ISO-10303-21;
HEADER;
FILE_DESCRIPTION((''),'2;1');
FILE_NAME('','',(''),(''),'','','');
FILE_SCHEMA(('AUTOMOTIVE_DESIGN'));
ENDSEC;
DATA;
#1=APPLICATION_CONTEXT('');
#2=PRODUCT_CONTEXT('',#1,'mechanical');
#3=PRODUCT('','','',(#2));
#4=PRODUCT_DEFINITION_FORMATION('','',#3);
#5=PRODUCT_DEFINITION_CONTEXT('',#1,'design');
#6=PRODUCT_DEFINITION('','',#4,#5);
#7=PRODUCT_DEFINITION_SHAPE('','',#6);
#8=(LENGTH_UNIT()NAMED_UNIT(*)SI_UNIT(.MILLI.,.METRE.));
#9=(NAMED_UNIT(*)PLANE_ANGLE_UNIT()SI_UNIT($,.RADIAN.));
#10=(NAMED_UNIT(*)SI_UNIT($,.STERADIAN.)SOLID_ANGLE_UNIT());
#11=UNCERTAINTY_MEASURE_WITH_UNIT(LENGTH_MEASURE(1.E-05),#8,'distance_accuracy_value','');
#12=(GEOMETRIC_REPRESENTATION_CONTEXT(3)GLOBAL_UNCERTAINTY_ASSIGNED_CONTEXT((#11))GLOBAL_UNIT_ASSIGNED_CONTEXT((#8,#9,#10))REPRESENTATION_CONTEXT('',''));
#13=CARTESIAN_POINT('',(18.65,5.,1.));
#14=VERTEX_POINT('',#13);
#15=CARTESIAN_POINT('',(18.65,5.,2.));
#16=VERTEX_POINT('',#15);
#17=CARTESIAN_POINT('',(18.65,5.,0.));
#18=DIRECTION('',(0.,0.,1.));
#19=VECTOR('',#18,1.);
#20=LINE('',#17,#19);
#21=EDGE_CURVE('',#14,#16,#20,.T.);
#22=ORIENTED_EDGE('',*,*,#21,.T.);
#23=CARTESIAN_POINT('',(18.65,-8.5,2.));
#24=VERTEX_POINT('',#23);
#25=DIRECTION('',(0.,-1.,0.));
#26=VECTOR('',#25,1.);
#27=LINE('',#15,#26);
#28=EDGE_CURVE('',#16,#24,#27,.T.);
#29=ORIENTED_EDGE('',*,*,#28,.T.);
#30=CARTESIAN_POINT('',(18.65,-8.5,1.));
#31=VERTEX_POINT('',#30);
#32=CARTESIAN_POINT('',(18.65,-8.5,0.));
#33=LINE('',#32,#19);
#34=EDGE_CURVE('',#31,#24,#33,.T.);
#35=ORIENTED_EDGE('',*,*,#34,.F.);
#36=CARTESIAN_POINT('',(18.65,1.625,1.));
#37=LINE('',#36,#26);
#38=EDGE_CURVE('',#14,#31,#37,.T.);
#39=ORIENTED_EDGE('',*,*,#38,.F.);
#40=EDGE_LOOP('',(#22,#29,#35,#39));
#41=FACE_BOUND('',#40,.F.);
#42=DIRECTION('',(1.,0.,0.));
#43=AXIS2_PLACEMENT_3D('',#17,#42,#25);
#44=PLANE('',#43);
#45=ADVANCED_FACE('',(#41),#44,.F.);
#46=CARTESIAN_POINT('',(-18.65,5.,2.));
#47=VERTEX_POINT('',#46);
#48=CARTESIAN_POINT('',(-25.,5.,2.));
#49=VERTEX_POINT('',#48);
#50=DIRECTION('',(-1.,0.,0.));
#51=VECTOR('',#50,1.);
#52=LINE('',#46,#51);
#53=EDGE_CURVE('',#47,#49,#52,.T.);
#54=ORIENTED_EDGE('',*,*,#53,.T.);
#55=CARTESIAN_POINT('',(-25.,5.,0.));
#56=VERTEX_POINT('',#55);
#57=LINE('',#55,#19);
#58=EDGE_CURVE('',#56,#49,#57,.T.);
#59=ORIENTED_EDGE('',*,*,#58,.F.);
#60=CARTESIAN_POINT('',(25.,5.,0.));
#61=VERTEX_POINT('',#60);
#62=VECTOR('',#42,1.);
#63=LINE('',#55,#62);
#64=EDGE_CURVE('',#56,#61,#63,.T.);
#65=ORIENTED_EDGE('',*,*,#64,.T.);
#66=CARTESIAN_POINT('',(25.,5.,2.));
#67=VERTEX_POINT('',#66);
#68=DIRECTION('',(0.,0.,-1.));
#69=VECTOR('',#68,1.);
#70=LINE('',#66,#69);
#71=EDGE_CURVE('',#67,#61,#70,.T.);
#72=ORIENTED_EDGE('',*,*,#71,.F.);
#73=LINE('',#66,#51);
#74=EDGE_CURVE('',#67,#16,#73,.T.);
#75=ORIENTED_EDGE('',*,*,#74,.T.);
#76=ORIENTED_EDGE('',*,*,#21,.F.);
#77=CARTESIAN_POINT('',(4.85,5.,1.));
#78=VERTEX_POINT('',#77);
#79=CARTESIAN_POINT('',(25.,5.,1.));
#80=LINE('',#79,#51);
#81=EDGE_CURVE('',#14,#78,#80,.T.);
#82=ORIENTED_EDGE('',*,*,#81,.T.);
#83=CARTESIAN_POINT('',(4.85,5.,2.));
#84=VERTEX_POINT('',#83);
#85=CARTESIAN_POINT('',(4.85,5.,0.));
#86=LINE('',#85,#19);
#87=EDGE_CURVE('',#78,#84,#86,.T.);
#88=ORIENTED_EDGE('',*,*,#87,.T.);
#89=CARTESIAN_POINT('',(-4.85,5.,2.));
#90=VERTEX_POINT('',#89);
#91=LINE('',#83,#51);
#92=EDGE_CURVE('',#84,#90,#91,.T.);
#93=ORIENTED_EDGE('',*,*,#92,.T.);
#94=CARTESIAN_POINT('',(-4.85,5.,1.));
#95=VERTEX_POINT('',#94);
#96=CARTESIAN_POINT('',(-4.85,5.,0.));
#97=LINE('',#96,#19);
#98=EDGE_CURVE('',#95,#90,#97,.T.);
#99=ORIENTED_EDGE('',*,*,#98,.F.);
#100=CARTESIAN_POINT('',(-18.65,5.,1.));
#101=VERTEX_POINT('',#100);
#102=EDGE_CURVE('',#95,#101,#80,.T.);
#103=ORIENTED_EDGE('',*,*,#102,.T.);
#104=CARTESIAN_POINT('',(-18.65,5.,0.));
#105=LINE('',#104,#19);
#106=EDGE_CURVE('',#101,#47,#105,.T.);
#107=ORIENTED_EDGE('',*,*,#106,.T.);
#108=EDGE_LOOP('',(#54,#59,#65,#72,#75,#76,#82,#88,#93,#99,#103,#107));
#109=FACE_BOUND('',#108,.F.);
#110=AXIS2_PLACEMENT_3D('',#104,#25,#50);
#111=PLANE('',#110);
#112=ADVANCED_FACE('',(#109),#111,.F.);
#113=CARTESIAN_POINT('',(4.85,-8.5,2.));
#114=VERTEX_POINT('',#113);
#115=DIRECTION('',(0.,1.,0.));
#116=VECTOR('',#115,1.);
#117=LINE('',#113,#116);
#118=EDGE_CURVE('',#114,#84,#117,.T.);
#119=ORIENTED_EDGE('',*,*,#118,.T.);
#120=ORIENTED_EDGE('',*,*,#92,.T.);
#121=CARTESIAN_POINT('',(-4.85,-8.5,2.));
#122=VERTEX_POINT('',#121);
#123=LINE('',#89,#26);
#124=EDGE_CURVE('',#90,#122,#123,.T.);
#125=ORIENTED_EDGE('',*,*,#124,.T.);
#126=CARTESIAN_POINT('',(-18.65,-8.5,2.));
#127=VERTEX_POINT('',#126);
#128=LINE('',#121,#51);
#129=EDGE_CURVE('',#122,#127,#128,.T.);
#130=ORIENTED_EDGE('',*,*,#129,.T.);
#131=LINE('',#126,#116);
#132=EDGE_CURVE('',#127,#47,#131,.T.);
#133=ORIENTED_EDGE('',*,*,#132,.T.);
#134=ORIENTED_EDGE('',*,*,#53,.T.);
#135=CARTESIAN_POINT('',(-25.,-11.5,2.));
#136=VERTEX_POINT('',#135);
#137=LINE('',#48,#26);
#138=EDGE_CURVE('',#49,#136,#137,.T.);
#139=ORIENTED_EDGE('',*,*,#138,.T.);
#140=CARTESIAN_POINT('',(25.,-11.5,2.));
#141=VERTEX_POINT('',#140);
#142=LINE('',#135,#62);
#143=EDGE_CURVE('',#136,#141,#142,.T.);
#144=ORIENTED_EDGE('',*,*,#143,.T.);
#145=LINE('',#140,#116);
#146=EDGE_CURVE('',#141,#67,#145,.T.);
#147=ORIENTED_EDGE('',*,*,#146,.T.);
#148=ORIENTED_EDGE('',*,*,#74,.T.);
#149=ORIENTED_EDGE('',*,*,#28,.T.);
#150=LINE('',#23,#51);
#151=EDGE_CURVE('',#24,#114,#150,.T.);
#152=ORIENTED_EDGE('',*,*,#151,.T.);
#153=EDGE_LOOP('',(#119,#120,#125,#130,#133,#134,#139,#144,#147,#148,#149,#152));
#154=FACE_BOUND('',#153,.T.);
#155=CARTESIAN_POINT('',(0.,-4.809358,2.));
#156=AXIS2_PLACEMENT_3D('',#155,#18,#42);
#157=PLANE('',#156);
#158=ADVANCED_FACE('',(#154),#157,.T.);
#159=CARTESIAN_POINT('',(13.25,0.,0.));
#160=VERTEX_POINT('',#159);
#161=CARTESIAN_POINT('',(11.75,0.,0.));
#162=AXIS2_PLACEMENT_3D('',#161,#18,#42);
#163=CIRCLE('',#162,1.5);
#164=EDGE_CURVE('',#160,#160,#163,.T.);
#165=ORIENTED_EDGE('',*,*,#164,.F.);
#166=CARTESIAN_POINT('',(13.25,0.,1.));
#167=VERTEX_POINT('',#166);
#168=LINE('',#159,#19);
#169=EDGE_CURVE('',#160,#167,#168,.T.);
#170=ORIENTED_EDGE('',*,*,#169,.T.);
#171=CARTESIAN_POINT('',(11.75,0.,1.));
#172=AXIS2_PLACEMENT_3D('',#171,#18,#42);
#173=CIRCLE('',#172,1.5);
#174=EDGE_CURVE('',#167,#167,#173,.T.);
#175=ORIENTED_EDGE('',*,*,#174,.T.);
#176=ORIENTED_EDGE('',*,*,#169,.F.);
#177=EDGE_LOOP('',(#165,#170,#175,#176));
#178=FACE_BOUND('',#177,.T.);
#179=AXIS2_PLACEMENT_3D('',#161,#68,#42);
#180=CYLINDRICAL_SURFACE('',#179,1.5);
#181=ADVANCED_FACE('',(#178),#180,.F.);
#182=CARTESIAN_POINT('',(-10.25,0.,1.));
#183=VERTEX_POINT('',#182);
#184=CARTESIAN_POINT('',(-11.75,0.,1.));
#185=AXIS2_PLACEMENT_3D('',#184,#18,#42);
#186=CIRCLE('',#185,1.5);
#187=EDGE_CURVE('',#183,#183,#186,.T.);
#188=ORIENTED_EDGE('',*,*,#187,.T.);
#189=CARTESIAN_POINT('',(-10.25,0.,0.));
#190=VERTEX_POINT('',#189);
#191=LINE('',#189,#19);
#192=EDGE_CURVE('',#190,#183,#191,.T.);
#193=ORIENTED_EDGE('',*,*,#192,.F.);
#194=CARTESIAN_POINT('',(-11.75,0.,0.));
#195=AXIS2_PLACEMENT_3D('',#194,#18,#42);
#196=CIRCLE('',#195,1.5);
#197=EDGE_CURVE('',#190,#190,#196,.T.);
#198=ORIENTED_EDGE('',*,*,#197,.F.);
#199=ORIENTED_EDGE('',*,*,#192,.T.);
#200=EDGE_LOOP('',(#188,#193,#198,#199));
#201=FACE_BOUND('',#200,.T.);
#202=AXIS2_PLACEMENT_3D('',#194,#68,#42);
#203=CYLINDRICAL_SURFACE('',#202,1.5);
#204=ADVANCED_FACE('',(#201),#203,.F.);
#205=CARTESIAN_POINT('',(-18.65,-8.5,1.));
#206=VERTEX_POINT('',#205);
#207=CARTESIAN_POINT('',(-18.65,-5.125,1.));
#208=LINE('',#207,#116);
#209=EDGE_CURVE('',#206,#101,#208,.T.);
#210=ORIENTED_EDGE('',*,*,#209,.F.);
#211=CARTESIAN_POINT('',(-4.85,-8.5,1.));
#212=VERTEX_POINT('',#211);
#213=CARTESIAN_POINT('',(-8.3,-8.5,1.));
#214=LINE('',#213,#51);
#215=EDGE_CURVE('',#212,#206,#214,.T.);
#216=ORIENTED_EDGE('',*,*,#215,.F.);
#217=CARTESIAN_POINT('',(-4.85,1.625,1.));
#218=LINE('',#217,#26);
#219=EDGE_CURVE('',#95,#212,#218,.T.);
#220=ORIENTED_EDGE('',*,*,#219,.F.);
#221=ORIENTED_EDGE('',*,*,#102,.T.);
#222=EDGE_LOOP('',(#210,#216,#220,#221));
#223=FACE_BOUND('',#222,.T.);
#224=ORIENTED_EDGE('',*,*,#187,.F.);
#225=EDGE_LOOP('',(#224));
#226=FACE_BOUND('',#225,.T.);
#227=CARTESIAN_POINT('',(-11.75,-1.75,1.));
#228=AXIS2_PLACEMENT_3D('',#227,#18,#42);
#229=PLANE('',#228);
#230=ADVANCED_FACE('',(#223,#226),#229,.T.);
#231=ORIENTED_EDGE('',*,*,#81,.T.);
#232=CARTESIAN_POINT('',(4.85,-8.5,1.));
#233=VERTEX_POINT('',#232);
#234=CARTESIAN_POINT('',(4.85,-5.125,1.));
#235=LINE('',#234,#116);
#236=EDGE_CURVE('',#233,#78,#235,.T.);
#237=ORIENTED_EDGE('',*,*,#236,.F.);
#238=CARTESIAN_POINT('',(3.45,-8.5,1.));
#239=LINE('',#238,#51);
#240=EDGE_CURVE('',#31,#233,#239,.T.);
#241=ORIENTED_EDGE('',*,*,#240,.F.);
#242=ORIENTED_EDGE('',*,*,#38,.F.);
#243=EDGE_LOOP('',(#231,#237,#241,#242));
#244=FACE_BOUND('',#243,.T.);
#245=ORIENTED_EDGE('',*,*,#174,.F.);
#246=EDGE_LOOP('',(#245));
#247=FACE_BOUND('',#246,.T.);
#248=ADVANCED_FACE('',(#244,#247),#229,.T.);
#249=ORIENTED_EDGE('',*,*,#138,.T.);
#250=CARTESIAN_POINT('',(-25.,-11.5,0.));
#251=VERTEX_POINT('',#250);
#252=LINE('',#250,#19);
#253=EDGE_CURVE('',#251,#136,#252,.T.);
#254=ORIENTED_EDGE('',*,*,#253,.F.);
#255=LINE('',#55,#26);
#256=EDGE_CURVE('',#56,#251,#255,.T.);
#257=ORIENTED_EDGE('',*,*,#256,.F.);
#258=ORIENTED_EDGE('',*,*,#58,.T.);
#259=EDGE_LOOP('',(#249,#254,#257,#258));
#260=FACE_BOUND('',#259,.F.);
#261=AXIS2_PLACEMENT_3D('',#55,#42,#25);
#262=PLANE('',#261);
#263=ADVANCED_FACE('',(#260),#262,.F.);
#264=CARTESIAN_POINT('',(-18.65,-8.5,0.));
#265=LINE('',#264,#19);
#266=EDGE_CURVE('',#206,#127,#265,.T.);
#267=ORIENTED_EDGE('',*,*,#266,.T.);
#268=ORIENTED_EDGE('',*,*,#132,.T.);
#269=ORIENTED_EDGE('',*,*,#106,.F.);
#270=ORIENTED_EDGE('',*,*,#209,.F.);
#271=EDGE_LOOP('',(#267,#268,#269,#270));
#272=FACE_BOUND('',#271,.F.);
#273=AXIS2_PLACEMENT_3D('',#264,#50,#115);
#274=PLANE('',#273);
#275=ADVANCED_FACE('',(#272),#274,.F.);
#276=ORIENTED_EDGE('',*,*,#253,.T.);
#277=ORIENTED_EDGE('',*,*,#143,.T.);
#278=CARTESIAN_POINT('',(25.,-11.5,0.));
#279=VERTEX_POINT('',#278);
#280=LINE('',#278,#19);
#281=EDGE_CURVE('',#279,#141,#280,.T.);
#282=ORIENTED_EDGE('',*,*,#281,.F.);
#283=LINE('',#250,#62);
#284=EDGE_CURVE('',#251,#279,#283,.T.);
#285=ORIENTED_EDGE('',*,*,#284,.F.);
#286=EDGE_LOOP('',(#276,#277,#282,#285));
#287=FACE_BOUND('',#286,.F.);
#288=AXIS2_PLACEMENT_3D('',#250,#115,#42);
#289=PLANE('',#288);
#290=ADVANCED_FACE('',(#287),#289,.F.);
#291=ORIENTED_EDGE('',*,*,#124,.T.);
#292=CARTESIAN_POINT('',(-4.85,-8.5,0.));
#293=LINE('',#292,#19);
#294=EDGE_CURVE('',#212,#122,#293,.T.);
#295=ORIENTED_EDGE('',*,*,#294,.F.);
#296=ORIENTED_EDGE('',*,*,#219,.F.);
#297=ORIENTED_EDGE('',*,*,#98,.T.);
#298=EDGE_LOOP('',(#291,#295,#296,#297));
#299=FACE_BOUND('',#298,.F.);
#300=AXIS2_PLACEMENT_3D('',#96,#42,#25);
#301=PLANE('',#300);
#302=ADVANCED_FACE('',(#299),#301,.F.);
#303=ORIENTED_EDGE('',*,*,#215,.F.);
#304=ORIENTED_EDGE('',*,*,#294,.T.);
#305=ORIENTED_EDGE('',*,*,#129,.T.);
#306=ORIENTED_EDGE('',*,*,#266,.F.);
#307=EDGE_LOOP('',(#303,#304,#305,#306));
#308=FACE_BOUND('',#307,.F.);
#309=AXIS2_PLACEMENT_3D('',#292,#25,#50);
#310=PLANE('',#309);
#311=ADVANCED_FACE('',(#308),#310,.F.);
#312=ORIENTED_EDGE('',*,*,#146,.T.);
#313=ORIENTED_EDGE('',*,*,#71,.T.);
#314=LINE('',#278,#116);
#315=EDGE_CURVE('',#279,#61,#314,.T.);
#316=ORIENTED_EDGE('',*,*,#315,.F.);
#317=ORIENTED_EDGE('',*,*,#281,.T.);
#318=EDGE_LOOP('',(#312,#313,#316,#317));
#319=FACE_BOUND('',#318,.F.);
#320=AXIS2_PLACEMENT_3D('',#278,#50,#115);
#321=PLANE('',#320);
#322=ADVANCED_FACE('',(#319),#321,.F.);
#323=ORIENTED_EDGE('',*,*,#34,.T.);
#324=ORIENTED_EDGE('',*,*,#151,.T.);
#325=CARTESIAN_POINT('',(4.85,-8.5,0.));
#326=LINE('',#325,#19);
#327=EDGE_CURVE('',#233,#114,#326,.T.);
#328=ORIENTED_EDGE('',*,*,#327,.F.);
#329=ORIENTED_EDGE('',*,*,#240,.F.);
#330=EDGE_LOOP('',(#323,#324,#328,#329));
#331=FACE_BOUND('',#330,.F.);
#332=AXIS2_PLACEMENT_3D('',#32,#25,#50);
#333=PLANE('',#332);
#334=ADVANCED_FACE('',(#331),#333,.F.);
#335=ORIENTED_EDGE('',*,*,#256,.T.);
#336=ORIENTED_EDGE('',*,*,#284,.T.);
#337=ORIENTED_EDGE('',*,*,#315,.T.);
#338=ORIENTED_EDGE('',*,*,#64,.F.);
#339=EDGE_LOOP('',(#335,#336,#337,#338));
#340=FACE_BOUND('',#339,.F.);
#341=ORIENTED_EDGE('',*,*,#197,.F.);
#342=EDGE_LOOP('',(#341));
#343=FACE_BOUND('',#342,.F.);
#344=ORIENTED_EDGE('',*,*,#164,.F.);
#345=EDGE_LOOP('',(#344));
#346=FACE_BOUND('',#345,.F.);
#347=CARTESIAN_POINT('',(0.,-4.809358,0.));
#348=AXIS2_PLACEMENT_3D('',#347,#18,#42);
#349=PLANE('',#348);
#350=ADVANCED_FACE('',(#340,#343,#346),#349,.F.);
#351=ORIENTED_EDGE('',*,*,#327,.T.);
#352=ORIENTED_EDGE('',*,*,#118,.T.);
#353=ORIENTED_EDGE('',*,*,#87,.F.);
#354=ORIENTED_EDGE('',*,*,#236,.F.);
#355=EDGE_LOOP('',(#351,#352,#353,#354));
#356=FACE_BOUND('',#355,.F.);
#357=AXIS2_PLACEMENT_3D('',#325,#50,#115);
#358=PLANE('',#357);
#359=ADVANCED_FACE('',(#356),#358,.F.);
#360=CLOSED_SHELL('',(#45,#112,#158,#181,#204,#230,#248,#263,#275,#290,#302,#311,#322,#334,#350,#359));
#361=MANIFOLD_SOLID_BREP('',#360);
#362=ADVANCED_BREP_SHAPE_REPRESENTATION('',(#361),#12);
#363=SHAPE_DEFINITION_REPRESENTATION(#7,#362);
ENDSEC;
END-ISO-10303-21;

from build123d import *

# Parameters (mm, degrees)
F1_DEPTH = 2
F0_W     = 13.8
F0_H     = 13.5
F0_R     = 1.5
F2_DEPTH = 1


with BuildPart() as f1:
    # F0 (on Top) → F1 (new body)
    with BuildSketch(Plane.XY):
        Polygon((-18.65, -8.5), (-18.65, 5), (-25, 5), (-25, -11.5), (0, -11.5), (25, -11.5), (25, 5), (18.65, 5), (18.65, -8.5), (4.85, -8.5), (4.85, 5), (0, 5), (-4.85, 5), (-4.85, -8.5), align=None)
    extrude(amount=F1_DEPTH)

    # F0 (on Top) → F2 (join)
    with BuildSketch(Plane.XY):
        with Locations((-11.75, -1.75)):
            Rectangle(F0_W, F0_H)
        with Locations((-11.75, 0)):
            Circle(F0_R, mode=Mode.SUBTRACT)
        Polygon((-18.65, -8.5), (-18.65, 5), (-25, 5), (-25, -11.5), (0, -11.5), (25, -11.5), (25, 5), (18.65, 5), (18.65, -8.5), (4.85, -8.5), (4.85, 5), (0, 5), (-4.85, 5), (-4.85, -8.5), align=None)
        with Locations((11.75, -1.75)):
            Rectangle(F0_W, F0_H)
        with Locations((11.75, 0)):
            Circle(F0_R, mode=Mode.SUBTRACT)
    extrude(amount=F2_DEPTH)


solid = f1.part
